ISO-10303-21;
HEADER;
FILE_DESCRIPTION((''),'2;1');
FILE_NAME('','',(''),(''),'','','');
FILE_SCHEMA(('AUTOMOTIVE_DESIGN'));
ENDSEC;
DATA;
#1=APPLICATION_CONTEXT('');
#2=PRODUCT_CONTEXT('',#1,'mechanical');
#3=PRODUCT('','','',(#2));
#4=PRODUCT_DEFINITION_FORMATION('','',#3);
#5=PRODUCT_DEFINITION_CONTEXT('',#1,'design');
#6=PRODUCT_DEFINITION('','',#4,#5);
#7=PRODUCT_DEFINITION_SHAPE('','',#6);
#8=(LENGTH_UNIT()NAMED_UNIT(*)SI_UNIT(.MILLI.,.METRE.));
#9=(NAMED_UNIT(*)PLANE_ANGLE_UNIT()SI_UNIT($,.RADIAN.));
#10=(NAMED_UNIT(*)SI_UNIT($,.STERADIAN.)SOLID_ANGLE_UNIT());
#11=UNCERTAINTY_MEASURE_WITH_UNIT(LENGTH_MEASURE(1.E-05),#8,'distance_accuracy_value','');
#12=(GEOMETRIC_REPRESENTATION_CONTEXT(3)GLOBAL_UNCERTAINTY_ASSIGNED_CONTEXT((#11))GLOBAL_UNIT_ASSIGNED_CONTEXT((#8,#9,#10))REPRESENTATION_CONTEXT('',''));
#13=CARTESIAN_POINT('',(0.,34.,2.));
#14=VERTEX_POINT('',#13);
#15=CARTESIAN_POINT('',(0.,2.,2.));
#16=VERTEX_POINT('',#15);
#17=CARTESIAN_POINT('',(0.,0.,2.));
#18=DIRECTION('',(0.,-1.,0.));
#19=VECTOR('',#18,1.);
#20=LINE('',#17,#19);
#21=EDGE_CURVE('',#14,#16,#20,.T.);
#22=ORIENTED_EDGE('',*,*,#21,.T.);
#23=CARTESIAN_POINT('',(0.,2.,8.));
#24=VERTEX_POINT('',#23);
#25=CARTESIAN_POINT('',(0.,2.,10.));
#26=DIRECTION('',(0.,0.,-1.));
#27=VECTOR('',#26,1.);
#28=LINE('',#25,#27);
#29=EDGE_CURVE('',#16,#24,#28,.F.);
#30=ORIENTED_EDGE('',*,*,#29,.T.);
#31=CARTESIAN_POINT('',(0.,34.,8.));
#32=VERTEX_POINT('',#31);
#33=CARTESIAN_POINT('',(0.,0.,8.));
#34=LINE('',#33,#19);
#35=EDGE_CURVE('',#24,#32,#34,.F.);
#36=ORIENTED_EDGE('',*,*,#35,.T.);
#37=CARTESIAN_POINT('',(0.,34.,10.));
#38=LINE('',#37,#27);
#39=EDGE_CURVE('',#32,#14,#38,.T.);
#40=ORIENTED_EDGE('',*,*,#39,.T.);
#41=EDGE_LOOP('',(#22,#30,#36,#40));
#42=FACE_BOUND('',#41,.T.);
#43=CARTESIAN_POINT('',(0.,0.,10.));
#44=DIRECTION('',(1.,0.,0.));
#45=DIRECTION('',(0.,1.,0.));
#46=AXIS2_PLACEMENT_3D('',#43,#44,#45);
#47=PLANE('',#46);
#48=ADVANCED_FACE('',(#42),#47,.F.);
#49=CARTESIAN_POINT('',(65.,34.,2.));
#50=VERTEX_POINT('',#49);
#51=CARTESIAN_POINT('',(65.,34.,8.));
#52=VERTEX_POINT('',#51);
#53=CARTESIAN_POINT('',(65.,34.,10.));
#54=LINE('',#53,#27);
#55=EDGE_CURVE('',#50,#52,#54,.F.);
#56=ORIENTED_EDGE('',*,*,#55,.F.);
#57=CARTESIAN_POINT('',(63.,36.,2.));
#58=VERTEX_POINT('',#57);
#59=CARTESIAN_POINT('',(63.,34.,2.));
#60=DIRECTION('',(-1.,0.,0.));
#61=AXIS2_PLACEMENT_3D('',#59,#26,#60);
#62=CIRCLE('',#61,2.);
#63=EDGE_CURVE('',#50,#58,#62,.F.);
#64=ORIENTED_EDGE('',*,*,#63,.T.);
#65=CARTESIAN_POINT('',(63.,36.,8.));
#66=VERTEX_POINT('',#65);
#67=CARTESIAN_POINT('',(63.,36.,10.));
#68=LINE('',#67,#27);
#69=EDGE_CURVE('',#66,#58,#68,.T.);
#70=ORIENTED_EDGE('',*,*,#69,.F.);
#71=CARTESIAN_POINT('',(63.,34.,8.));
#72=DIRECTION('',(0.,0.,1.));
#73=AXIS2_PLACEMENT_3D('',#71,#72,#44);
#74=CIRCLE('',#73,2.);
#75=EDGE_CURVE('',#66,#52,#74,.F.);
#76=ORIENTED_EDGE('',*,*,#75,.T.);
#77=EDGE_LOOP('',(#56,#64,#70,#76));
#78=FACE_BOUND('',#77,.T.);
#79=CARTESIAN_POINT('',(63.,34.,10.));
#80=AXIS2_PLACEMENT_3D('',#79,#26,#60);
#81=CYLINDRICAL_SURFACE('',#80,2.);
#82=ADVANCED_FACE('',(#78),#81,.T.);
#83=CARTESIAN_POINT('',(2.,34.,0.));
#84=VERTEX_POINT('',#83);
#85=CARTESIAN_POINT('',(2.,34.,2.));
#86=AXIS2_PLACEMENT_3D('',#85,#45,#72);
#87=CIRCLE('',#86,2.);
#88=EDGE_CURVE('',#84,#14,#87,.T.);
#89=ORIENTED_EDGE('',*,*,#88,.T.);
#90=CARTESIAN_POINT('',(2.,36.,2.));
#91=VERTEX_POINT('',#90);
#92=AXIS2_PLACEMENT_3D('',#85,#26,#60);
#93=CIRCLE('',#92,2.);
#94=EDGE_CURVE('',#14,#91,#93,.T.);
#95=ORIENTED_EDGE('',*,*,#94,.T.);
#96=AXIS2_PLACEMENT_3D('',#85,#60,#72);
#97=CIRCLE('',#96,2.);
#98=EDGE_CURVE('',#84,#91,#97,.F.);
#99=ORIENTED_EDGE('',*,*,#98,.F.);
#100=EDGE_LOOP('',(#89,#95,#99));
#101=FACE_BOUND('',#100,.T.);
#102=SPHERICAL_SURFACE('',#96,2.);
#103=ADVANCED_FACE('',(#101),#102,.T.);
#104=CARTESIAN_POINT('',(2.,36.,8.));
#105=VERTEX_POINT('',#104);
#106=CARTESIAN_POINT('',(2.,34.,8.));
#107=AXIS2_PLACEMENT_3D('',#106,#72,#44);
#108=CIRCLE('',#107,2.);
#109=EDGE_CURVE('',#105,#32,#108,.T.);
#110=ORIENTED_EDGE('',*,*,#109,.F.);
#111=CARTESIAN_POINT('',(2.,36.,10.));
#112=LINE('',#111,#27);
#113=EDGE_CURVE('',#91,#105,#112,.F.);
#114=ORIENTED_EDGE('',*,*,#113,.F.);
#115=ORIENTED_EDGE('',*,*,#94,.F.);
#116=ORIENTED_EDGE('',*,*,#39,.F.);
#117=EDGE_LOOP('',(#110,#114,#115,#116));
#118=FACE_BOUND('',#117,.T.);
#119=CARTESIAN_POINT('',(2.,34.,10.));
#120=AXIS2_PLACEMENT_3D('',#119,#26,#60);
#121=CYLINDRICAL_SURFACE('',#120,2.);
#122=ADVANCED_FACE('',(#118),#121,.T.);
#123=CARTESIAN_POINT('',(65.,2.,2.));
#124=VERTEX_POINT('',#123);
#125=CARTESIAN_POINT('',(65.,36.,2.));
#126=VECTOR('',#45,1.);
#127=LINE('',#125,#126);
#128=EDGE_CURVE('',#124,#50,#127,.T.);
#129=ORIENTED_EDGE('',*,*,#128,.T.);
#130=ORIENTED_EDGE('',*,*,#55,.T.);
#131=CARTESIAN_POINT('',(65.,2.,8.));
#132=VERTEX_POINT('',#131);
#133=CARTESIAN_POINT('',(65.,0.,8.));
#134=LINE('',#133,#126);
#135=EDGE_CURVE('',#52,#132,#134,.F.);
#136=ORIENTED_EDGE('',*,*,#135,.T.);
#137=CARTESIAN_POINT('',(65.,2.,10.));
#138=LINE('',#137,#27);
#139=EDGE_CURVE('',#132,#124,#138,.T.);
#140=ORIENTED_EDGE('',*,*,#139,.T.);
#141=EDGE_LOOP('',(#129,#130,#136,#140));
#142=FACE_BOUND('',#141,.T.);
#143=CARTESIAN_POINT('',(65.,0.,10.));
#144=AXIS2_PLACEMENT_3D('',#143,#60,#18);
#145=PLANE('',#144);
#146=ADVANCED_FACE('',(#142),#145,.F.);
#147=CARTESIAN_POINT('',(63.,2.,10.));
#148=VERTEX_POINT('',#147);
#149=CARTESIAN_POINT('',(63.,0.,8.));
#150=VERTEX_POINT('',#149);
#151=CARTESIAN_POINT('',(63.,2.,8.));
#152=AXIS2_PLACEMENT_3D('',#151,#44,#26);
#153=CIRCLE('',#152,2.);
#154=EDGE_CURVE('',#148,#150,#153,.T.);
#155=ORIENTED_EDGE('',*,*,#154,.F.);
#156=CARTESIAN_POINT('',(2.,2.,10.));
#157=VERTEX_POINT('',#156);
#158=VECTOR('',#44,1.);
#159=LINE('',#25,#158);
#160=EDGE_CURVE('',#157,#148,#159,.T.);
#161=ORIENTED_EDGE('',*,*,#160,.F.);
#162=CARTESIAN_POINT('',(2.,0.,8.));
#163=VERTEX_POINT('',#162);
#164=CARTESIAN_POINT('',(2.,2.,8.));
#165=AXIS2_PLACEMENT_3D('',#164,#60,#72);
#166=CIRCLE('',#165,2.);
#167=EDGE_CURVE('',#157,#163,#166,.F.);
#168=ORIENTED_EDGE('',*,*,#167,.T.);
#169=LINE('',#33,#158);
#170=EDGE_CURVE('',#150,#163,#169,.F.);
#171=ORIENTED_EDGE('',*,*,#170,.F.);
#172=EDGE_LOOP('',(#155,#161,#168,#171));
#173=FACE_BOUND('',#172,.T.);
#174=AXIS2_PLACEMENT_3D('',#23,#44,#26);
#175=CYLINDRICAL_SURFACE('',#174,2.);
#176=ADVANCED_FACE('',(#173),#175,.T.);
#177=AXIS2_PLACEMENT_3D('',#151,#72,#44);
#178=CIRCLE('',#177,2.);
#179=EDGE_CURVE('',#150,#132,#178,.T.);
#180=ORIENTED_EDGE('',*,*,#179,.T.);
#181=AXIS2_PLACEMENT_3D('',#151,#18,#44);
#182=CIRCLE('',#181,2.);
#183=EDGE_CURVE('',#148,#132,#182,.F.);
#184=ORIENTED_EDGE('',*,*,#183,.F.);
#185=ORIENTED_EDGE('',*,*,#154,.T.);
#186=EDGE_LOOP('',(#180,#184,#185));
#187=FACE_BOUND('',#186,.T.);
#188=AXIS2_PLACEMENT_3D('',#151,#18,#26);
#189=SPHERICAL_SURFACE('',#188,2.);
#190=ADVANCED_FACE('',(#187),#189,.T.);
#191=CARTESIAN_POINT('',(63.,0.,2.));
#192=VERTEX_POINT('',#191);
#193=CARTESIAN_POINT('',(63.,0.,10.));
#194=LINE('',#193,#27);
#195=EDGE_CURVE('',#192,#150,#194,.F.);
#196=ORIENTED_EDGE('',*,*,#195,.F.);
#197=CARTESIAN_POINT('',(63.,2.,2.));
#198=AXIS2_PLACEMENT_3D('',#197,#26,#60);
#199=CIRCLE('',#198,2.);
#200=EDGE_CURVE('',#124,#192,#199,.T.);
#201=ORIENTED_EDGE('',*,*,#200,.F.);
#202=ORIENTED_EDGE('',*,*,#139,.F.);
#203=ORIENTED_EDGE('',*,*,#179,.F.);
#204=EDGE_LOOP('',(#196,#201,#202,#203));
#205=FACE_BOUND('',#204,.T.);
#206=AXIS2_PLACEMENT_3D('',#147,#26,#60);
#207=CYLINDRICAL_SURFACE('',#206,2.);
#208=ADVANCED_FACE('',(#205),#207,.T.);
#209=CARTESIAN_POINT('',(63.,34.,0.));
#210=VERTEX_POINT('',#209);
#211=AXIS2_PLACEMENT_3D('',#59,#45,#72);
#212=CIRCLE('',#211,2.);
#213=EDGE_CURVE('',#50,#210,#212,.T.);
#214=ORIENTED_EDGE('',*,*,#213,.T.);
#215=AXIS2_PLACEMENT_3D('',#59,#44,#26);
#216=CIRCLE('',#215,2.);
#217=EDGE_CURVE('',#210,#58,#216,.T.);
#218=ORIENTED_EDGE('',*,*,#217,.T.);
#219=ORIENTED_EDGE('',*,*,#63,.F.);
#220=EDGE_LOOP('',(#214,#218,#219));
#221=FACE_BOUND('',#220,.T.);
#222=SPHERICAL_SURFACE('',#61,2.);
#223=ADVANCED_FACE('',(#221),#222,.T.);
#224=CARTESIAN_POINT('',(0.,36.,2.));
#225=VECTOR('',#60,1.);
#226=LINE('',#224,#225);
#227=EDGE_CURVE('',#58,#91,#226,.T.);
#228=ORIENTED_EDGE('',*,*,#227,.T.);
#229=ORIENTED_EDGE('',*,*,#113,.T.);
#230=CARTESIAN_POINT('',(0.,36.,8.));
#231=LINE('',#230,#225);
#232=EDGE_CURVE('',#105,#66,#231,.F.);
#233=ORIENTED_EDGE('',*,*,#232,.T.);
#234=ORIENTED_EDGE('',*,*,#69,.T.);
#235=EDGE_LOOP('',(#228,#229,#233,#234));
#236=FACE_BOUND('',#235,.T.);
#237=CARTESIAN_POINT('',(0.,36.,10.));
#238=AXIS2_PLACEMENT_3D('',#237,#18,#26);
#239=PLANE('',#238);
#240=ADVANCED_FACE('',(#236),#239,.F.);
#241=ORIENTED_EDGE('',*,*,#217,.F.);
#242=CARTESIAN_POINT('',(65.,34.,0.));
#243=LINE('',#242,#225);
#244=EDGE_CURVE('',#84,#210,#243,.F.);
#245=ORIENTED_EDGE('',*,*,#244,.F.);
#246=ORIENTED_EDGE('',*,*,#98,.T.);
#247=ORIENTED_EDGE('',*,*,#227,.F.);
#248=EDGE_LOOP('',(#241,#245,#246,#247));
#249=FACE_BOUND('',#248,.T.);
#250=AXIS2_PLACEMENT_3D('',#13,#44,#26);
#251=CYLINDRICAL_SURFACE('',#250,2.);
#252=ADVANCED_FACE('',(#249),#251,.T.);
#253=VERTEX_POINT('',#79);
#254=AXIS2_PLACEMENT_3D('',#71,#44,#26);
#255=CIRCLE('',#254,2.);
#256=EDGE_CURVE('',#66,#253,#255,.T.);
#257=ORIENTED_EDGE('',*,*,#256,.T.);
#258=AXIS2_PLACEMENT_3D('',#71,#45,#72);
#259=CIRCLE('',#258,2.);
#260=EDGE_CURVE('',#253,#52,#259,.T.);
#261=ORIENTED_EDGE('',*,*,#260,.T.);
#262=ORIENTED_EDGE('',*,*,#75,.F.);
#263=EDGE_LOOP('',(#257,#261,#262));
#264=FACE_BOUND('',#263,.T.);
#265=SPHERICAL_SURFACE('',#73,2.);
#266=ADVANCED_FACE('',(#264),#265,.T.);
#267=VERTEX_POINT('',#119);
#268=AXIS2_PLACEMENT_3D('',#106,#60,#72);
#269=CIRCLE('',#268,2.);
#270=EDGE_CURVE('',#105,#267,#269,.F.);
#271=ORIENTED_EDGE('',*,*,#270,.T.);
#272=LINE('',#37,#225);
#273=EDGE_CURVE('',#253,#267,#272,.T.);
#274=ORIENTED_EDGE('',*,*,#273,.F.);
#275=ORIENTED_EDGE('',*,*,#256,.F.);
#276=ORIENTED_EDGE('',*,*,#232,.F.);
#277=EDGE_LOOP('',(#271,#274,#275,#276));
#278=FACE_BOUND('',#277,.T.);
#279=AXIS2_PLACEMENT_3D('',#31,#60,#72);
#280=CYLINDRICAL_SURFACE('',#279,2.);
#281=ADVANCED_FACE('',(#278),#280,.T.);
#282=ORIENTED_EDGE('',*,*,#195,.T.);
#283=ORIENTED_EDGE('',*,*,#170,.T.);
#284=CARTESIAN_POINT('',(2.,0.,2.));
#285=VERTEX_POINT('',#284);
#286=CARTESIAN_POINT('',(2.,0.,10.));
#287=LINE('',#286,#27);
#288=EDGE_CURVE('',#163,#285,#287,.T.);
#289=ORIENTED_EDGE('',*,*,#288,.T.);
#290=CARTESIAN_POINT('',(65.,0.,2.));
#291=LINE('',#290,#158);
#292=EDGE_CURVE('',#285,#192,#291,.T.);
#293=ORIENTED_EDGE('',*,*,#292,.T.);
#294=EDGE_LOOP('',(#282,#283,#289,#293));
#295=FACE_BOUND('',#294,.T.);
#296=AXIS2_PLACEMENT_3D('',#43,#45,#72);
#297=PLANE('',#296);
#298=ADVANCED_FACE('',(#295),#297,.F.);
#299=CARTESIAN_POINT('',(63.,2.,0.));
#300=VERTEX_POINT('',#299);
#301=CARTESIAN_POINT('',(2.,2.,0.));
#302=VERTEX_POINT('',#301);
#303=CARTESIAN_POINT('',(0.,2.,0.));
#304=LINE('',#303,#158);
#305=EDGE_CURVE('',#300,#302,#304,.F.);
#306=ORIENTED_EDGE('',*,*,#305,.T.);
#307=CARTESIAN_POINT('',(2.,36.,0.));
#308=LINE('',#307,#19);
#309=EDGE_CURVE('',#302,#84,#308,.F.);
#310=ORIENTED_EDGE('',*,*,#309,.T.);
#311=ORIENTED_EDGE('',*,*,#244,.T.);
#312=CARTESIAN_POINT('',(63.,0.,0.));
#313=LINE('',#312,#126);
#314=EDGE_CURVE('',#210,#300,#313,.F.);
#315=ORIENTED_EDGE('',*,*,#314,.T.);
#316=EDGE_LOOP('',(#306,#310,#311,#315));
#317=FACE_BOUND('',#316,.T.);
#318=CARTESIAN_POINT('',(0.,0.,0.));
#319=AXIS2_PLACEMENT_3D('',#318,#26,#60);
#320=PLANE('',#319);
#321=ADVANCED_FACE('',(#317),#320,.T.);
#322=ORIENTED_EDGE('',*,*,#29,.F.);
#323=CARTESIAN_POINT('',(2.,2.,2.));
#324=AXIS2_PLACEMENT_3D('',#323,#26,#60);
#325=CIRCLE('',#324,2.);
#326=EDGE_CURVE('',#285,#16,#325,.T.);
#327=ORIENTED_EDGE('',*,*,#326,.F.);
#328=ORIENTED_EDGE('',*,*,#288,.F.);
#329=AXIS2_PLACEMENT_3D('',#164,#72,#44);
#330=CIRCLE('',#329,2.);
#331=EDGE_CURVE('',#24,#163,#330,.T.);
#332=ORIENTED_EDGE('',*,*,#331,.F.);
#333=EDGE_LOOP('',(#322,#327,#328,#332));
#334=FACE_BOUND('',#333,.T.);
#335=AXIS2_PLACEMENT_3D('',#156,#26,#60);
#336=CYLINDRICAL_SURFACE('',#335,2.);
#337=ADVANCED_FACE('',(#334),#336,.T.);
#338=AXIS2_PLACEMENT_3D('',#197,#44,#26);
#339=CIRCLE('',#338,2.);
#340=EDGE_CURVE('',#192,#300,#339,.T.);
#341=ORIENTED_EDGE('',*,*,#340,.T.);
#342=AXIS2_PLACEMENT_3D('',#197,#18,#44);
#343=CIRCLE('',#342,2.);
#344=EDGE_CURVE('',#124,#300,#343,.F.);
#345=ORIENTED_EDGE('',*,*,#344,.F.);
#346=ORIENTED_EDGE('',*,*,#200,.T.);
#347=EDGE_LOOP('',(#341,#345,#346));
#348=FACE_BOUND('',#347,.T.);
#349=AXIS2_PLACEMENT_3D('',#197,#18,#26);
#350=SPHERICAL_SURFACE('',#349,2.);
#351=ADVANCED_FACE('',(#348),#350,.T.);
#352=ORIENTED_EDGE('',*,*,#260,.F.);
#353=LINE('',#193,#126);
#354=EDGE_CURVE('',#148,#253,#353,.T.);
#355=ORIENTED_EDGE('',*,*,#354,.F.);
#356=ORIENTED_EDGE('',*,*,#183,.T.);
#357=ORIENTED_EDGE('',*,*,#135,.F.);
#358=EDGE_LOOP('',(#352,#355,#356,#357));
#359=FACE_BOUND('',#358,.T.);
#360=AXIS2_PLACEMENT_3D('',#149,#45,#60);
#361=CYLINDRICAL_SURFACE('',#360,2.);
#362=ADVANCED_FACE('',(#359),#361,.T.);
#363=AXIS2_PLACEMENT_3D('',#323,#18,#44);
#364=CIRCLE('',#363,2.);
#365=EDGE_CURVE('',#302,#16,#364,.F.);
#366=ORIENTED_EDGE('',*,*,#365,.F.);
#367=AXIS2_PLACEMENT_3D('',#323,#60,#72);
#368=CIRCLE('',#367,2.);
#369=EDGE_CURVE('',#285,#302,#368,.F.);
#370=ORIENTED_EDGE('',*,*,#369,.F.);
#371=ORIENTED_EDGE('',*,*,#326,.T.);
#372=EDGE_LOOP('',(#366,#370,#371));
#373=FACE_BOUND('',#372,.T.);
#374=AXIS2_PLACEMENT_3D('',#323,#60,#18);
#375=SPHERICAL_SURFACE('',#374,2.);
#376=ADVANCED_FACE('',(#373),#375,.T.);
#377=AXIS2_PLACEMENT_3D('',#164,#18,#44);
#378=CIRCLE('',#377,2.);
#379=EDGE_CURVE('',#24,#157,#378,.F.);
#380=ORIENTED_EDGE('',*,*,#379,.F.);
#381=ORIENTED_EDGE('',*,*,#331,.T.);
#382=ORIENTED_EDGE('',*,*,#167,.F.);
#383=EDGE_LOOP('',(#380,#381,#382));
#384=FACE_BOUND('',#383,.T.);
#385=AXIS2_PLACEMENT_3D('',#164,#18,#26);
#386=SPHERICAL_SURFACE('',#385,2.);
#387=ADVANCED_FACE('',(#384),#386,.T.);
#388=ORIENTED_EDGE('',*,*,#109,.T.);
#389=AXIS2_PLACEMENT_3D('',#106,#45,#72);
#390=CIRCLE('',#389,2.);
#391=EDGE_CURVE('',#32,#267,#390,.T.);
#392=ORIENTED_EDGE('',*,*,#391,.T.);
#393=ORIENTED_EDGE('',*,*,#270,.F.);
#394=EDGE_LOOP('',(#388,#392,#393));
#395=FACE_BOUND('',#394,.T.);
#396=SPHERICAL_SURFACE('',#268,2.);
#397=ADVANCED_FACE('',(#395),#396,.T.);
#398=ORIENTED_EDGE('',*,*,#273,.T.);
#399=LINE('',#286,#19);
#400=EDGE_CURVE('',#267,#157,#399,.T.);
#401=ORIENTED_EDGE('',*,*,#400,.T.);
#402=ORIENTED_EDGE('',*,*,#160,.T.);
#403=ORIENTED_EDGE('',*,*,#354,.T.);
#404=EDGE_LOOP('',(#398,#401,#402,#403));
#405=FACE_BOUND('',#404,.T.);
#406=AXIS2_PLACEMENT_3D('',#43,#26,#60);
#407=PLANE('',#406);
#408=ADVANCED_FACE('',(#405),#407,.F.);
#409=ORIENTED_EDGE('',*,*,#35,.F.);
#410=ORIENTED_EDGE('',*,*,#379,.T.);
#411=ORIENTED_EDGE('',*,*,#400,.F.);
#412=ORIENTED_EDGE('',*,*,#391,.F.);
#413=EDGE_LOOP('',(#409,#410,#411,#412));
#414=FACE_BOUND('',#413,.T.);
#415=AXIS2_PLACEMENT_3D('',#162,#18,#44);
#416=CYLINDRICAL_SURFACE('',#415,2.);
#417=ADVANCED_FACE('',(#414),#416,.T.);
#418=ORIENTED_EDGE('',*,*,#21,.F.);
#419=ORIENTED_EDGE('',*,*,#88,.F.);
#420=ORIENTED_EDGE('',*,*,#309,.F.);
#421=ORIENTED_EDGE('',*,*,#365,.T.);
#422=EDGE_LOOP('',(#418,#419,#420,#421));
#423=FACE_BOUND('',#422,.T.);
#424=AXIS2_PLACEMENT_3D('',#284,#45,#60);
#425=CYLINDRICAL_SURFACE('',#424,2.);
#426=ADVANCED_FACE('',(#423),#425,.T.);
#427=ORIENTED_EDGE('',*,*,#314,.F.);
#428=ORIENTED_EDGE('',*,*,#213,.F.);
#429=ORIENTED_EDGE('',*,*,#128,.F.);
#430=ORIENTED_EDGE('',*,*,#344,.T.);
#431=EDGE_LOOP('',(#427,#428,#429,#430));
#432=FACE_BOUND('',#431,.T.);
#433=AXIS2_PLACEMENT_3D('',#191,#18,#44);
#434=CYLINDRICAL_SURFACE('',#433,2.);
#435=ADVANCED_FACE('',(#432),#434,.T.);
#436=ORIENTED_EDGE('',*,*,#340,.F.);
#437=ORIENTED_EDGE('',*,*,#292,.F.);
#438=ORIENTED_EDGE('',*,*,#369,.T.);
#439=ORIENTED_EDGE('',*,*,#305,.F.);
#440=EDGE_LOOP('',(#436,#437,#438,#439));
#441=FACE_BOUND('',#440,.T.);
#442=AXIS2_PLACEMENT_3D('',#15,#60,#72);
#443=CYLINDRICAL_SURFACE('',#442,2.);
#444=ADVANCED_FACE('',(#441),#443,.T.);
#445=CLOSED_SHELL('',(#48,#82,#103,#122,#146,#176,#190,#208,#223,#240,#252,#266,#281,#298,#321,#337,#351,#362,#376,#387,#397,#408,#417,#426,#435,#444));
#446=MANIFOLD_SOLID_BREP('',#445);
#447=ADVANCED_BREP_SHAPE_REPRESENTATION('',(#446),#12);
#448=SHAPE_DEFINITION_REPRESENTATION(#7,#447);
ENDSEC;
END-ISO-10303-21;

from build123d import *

# Parameters (mm, degrees)
SKETCH_1_W      = 65
SKETCH_1_H      = 36
EXTRUDE_1_DEPTH = 10
FILLET_1_R      = 2


with BuildPart() as part:
    # Эскиз1 → Бобышка-Вытянуть1 (new body)
    with BuildSketch(Plane.XY):
        with Locations((32.5, 18)):
            Rectangle(SKETCH_1_W, SKETCH_1_H)
    extrude(amount=EXTRUDE_1_DEPTH)

    # Скругление1
    fillet_1_edges = [part.edges().sort_by_distance(p)[0] for p in [
        (65, 18, 10),
        (32.5, 36, 10),
        (0, 18, 10),
        (32.5, 36, 0),
        (65, 18, 0),
        (32.5, 0, 0),
        (0, 18, 0),
        (0, 36, 5),
        (65, 36, 5),
        (65, 0, 5),
        (0, 0, 5),
        (32.5, 0, 10),
    ]]
    fillet(fillet_1_edges, radius=FILLET_1_R)


solid = part.part
